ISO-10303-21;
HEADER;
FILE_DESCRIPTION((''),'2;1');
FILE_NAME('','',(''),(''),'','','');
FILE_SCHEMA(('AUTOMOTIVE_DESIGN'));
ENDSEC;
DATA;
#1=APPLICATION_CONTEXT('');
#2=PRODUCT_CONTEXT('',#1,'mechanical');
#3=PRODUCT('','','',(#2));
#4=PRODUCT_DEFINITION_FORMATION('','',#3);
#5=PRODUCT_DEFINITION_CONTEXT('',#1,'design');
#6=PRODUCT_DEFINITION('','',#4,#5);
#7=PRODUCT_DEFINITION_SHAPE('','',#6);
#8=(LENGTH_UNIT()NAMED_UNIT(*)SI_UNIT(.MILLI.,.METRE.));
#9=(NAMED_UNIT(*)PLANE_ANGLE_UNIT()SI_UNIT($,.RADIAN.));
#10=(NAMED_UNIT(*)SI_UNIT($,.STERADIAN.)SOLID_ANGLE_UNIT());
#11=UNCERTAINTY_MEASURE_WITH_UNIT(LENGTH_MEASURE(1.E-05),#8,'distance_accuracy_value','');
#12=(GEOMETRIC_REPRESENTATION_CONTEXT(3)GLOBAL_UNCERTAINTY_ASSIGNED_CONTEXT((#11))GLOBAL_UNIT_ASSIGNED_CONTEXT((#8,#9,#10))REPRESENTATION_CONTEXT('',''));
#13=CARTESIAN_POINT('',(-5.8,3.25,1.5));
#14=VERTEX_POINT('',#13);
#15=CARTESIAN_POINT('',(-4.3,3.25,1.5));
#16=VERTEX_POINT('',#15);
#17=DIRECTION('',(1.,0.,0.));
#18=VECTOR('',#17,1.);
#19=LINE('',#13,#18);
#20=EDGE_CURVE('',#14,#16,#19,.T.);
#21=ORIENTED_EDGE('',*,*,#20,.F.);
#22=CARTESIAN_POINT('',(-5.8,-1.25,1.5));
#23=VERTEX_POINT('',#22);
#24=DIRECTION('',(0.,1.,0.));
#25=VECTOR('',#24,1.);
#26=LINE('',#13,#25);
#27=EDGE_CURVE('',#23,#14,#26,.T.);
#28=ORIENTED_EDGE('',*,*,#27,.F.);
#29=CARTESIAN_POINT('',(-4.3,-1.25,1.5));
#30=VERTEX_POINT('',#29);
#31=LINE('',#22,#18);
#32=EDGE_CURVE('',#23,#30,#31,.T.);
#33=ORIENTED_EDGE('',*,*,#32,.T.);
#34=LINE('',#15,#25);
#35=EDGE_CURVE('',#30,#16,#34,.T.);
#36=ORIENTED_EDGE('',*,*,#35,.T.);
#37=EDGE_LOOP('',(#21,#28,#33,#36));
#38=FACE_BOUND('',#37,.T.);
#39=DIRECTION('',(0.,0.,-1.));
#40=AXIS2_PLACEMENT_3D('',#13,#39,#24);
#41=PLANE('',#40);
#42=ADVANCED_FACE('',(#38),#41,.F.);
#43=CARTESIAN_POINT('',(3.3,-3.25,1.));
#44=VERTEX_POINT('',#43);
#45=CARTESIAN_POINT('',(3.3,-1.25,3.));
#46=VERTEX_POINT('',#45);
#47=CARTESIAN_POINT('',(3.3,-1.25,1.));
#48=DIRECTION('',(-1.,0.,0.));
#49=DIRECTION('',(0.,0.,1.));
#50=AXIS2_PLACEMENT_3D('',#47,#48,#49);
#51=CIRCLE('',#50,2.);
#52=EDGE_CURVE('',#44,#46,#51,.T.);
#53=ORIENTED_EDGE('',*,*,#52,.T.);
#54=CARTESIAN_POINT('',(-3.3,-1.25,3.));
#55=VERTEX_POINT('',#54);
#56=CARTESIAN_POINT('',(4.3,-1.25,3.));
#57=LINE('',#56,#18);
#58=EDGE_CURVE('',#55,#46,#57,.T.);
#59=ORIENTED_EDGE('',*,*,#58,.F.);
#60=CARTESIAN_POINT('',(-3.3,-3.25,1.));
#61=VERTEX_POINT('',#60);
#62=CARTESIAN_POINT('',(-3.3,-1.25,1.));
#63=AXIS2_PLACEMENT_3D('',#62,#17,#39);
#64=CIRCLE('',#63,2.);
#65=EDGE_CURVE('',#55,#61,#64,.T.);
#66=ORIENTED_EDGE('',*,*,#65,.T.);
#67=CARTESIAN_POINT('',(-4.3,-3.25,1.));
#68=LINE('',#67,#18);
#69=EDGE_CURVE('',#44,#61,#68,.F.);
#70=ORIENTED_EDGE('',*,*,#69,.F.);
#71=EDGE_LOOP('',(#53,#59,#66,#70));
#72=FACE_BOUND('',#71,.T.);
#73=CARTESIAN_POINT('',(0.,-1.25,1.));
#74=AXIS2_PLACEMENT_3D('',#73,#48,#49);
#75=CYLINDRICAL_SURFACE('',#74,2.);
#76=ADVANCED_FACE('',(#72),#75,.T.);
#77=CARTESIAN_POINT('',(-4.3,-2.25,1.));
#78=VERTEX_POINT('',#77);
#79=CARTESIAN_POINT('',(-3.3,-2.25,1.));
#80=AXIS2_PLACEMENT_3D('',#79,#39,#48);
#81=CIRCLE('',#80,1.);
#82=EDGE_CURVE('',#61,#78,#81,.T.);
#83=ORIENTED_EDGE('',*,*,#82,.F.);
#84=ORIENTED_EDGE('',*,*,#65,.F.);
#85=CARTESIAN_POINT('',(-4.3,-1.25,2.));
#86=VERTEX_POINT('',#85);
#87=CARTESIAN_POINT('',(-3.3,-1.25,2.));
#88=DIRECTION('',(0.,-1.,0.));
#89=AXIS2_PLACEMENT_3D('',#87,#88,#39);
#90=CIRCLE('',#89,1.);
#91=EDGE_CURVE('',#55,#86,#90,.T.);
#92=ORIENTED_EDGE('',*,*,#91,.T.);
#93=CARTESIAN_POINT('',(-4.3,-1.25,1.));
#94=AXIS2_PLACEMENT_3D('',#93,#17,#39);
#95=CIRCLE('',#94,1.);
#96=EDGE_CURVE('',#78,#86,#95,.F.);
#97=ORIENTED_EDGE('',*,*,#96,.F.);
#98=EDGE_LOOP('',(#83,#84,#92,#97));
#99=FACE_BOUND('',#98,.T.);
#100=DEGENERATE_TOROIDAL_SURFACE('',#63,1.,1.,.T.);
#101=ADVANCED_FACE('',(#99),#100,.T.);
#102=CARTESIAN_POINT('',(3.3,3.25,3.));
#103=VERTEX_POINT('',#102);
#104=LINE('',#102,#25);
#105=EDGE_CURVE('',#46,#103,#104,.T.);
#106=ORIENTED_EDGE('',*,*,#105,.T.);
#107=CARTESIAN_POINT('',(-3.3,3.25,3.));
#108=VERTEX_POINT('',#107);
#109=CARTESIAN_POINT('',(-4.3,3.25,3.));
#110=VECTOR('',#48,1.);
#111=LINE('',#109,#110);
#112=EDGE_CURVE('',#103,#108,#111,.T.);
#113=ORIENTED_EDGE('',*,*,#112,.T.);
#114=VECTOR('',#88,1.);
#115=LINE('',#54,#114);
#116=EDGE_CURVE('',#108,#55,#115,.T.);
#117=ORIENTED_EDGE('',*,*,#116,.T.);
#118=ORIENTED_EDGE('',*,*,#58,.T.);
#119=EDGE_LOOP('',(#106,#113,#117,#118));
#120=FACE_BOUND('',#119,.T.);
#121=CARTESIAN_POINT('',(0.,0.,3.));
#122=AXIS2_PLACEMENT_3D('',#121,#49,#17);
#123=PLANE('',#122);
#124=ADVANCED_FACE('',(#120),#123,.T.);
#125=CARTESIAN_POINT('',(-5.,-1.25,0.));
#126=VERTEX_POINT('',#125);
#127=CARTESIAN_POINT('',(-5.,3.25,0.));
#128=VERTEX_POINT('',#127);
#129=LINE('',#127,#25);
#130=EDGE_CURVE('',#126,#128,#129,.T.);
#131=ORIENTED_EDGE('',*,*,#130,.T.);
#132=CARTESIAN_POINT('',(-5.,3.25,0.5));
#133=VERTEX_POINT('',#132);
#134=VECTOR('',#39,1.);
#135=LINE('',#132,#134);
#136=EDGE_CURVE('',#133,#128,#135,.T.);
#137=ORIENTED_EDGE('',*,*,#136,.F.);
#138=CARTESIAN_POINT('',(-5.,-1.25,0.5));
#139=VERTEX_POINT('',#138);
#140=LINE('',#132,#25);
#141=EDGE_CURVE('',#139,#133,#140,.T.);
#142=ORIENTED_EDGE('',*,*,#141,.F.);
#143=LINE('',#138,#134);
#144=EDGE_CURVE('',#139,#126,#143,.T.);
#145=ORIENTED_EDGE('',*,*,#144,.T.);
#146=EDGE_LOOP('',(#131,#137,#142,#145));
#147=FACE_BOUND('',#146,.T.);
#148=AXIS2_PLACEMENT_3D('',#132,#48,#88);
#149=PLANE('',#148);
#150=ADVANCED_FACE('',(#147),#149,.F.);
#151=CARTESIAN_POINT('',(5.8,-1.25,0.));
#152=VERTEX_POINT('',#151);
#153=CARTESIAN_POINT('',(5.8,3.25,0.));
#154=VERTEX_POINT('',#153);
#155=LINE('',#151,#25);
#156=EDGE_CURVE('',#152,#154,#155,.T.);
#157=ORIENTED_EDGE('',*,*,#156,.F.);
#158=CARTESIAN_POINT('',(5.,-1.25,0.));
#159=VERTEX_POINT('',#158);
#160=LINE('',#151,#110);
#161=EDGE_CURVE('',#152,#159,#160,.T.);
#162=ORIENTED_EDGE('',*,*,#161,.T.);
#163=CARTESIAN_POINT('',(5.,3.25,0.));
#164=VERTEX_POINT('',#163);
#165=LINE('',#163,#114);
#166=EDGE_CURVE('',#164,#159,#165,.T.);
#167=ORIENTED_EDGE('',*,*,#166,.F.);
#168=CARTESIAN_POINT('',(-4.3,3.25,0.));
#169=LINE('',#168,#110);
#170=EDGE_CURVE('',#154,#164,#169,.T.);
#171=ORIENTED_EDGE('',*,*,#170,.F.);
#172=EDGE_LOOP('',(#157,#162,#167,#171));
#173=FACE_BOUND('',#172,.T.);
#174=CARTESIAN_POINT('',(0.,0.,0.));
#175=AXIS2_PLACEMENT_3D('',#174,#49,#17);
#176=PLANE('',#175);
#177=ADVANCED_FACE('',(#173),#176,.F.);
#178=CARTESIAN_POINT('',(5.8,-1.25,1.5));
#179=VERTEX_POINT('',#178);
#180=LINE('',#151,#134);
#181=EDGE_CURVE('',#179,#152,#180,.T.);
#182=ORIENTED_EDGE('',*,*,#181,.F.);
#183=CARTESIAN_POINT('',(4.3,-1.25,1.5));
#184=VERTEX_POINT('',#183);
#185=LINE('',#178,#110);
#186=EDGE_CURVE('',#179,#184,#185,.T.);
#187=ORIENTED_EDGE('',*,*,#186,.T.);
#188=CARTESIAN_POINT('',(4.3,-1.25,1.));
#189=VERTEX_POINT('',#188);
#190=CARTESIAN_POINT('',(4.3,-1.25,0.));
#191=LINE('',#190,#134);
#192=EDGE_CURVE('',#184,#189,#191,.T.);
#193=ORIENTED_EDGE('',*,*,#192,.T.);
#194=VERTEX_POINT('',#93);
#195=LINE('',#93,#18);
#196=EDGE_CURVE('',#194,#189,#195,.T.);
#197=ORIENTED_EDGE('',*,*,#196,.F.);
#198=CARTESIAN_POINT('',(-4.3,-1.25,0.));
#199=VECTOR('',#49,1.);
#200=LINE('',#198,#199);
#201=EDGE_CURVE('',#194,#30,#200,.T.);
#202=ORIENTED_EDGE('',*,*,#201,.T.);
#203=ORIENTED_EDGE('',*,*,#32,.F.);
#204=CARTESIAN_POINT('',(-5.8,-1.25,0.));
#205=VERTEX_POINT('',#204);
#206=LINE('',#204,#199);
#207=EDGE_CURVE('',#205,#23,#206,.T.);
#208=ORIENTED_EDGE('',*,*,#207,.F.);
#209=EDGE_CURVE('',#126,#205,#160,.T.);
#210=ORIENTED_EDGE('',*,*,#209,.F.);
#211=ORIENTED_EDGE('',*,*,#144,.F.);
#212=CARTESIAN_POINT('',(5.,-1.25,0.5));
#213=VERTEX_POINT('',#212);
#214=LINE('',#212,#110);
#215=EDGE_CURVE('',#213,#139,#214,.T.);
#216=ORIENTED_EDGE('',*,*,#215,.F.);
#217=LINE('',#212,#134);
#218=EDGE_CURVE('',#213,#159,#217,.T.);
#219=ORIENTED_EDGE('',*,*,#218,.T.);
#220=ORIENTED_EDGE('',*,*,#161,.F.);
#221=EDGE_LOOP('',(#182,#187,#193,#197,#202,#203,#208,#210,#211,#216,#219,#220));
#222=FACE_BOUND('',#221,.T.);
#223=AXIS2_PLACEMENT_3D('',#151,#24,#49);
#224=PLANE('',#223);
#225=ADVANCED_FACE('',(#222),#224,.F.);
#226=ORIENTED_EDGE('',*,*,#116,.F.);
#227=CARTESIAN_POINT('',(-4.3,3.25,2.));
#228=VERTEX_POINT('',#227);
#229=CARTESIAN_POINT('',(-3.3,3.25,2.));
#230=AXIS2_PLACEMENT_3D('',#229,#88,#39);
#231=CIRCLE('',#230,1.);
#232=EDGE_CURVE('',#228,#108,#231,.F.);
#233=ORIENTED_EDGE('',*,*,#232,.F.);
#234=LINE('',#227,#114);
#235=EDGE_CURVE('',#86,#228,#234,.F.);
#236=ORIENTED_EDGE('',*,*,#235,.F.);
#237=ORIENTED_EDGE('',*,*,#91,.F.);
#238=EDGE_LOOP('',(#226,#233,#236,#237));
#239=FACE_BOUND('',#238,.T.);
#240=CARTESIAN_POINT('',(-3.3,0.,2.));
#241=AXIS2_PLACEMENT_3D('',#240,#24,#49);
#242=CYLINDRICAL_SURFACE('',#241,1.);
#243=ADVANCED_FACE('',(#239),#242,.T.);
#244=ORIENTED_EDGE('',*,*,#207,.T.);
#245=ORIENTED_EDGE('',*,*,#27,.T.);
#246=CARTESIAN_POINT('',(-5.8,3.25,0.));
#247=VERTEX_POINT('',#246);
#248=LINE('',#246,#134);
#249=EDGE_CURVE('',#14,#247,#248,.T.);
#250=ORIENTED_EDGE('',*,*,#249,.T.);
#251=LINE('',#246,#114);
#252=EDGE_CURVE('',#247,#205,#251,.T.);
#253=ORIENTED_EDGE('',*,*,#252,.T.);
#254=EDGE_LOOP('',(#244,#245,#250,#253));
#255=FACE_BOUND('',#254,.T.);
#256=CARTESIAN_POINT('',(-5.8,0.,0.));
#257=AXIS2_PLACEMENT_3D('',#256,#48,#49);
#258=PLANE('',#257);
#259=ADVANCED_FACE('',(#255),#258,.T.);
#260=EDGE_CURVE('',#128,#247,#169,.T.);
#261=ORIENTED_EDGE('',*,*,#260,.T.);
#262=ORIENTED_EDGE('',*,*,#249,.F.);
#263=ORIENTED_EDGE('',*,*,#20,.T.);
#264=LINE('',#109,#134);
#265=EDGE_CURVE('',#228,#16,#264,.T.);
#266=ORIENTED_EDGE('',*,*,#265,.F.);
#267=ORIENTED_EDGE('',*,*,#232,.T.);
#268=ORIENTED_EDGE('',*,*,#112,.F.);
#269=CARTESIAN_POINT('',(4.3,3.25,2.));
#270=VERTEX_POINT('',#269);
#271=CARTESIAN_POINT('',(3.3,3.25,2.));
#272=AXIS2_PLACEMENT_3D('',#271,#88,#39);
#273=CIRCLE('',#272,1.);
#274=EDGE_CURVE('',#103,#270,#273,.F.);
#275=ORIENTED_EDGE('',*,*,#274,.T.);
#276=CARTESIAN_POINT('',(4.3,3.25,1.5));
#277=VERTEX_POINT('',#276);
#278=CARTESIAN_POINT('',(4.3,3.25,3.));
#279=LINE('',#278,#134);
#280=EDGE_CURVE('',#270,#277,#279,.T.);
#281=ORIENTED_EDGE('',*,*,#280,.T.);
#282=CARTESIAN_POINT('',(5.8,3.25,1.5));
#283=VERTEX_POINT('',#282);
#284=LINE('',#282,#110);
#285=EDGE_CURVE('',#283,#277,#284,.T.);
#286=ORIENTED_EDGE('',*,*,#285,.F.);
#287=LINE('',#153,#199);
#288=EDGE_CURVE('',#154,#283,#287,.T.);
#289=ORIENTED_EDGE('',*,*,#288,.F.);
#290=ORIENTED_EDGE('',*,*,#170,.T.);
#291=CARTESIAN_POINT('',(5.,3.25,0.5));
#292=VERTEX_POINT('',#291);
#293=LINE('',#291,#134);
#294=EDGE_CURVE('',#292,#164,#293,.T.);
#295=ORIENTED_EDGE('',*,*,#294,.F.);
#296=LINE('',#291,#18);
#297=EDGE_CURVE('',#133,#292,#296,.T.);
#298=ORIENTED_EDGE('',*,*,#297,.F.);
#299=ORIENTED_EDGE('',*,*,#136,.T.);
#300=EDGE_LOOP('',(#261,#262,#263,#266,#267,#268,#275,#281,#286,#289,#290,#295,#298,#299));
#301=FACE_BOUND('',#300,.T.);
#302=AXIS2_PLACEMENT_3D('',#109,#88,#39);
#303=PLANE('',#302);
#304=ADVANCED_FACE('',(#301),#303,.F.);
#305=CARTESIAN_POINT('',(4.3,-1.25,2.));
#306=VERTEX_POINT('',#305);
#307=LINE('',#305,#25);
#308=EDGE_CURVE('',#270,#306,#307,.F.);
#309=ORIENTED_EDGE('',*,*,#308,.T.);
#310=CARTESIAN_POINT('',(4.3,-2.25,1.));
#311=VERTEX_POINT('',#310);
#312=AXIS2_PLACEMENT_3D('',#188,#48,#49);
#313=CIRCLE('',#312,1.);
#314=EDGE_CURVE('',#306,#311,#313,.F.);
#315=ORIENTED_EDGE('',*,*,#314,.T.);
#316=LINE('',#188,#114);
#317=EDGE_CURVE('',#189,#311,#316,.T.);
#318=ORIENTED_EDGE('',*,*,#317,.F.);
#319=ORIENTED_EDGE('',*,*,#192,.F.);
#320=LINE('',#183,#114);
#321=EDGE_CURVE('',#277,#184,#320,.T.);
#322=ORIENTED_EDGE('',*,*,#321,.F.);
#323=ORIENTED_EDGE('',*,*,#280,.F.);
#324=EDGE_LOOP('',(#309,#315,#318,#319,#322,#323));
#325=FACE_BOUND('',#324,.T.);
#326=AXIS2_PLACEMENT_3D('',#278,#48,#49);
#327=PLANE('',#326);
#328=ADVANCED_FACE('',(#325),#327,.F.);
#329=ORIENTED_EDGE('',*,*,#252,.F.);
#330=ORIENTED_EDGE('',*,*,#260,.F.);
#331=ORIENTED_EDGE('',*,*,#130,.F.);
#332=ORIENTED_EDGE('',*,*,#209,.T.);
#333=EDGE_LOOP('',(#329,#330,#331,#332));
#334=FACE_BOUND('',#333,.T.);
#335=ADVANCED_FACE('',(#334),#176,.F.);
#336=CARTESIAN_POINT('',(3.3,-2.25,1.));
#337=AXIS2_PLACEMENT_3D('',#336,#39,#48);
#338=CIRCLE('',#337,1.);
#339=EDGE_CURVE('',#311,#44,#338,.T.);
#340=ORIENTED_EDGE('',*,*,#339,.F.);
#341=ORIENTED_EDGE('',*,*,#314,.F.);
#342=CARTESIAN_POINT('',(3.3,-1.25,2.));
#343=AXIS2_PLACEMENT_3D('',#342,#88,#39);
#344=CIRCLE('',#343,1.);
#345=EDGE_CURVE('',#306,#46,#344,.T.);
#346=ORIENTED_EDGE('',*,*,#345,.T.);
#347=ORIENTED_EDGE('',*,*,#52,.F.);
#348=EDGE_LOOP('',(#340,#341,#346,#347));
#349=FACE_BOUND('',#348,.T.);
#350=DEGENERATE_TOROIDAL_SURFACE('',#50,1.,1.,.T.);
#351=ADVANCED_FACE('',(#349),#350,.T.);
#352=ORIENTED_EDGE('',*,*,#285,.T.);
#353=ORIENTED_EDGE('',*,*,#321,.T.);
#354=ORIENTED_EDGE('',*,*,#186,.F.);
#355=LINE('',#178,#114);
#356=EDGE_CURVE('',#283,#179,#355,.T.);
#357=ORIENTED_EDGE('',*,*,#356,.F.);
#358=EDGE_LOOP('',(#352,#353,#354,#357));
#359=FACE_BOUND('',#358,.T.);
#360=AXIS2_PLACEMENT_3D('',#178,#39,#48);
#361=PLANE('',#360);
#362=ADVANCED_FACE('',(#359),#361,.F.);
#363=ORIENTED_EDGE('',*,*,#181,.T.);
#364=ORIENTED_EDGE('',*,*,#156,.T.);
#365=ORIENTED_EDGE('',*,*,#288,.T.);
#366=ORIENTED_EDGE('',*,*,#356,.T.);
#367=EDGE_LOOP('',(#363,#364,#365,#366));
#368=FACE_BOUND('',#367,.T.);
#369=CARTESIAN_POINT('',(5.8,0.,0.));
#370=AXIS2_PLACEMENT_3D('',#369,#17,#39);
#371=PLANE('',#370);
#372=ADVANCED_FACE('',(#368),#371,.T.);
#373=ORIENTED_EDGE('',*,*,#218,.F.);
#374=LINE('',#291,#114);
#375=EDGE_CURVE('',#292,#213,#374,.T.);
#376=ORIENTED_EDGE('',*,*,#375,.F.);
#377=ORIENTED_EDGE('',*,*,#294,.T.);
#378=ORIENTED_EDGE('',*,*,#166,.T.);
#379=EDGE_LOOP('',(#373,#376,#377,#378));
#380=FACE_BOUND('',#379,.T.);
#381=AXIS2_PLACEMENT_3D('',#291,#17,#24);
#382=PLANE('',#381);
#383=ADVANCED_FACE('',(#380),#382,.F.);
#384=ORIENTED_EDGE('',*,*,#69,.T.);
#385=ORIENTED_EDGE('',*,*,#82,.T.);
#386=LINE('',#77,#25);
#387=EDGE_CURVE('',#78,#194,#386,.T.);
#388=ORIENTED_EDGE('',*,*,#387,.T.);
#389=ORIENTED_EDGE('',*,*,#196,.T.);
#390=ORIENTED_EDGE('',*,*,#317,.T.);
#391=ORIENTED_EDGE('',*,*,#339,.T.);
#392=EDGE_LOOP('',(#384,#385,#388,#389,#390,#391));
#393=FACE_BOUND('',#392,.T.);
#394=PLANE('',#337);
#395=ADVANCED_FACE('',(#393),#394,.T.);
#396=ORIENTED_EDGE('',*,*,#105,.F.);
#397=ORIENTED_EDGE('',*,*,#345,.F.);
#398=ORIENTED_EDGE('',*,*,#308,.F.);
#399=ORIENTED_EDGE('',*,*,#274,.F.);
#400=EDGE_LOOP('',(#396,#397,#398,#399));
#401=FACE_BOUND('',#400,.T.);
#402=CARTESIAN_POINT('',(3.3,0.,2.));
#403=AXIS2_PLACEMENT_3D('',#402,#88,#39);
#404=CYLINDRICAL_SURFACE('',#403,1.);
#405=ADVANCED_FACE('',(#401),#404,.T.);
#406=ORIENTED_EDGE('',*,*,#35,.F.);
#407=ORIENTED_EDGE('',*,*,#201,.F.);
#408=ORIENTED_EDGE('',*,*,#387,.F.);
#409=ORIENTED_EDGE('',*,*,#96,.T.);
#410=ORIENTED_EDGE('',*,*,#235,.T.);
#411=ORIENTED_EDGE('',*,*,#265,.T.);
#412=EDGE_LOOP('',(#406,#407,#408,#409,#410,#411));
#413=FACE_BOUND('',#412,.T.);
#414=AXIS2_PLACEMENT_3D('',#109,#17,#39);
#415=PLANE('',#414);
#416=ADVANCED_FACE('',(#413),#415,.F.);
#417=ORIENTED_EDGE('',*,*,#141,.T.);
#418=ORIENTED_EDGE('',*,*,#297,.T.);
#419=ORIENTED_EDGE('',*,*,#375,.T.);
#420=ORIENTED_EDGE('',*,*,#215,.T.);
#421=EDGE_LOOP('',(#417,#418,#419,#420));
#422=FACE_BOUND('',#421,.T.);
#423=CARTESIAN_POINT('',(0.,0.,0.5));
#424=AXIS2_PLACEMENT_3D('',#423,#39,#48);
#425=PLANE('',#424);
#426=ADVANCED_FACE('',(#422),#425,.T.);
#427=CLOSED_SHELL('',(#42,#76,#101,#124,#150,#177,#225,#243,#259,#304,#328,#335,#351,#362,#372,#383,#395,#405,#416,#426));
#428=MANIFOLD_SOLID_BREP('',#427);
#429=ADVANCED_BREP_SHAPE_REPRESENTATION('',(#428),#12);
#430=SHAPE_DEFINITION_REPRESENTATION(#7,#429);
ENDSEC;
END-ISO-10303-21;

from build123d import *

# Parameters (mm, degrees)
SKETCH_1_W          = 8.6
SKETCH_1_H          = 6.5
EXTRUDE_1_DEPTH     = 3
FILLET_1_R          = 2
SKETCH_2_W          = 1.5
SKETCH_2_H          = 4.5
EXTRUDE_2_DEPTH     = 1.5
SKETCH_3_W          = 1.5
SKETCH_3_H          = 4.5
EXTRUDE_3_DEPTH     = 1.5
FILLET_2_R          = 1
FILLET_3_R          = 1
CUT_EXTRUDE_1_DEPTH = 1
SKETCH_5_W          = 10
SKETCH_5_H          = 4.5
CUT_EXTRUDE_2_DEPTH = 0.5


with BuildPart() as part:
    # 草图1 → 凸台-拉伸1 (new body)
    with BuildSketch(Plane.XY):
        Rectangle(SKETCH_1_W, SKETCH_1_H)
    extrude(amount=EXTRUDE_1_DEPTH)

    # 圆角1
    fillet_1_edges = [part.edges().sort_by_distance(p)[0] for p in [
        (0, -3.25, 3),
    ]]
    fillet(fillet_1_edges, radius=FILLET_1_R)

    # 草图2 → 凸台-拉伸2 (add)
    with BuildSketch(Plane(origin=(4.3, 0, 0), x_dir=(0, 0, -1), z_dir=(1, 0, 0))):
        with Locations((-0.75, 1)):
            Rectangle(SKETCH_2_W, SKETCH_2_H)
    extrude(amount=EXTRUDE_2_DEPTH)

    # 草图3 → 凸台-拉伸3 (add)
    with BuildSketch(Plane.ZY.offset(4.3)):
        with Locations((0.75, 1)):
            Rectangle(SKETCH_3_W, SKETCH_3_H)
    extrude(amount=EXTRUDE_3_DEPTH)

    # 圆角2
    fillet_2_edges = [part.edges().sort_by_distance(p)[0] for p in [
        (4.3, 1, 3),
        (4.3, -3.25, 0.5),
        (4.3, -2.664213562, 2.414213562),
    ]]
    fillet(fillet_2_edges, radius=FILLET_2_R)

    # 圆角3
    fillet_3_edges = [part.edges().sort_by_distance(p)[0] for p in [
        (-4.3, 1, 3),
        (-4.3, -3.25, 0.5),
        (-4.3, -2.664213562, 2.414213562),
    ]]
    fillet(fillet_3_edges, radius=FILLET_3_R)

    # 草图4 → 切除-拉伸1 (cut)
    with BuildSketch(Plane(origin=(0, 0, 0), x_dir=(-1, 0, 0), z_dir=(0, 0, -1))):
        with BuildLine():
            Line((-4.3, -1.25), (-4.3, -2.25))
            ThreePointArc((-4.3, -2.25), (-4.007106781, -2.957106781), (-3.3, -3.25))
            Line((-3.3, -3.25), (3.3, -3.25))
            ThreePointArc((3.3, -3.25), (4.007106781, -2.957106781), (4.3, -2.25))
            Line((4.3, -2.25), (4.3, -1.25))
            Line((4.3, -1.25), (-4.3, -1.25))
        make_face()
    extrude(amount=-CUT_EXTRUDE_1_DEPTH, mode=Mode.SUBTRACT)

    # 草图5 → 切除-拉伸2 (cut)
    with BuildSketch(Plane(origin=(0, 0, 0), x_dir=(-1, 0, 0), z_dir=(0, 0, -1))):
        with Locations((0, 1)):
            Rectangle(SKETCH_5_W, SKETCH_5_H)
    extrude(amount=-CUT_EXTRUDE_2_DEPTH, mode=Mode.SUBTRACT)


solid = part.part
